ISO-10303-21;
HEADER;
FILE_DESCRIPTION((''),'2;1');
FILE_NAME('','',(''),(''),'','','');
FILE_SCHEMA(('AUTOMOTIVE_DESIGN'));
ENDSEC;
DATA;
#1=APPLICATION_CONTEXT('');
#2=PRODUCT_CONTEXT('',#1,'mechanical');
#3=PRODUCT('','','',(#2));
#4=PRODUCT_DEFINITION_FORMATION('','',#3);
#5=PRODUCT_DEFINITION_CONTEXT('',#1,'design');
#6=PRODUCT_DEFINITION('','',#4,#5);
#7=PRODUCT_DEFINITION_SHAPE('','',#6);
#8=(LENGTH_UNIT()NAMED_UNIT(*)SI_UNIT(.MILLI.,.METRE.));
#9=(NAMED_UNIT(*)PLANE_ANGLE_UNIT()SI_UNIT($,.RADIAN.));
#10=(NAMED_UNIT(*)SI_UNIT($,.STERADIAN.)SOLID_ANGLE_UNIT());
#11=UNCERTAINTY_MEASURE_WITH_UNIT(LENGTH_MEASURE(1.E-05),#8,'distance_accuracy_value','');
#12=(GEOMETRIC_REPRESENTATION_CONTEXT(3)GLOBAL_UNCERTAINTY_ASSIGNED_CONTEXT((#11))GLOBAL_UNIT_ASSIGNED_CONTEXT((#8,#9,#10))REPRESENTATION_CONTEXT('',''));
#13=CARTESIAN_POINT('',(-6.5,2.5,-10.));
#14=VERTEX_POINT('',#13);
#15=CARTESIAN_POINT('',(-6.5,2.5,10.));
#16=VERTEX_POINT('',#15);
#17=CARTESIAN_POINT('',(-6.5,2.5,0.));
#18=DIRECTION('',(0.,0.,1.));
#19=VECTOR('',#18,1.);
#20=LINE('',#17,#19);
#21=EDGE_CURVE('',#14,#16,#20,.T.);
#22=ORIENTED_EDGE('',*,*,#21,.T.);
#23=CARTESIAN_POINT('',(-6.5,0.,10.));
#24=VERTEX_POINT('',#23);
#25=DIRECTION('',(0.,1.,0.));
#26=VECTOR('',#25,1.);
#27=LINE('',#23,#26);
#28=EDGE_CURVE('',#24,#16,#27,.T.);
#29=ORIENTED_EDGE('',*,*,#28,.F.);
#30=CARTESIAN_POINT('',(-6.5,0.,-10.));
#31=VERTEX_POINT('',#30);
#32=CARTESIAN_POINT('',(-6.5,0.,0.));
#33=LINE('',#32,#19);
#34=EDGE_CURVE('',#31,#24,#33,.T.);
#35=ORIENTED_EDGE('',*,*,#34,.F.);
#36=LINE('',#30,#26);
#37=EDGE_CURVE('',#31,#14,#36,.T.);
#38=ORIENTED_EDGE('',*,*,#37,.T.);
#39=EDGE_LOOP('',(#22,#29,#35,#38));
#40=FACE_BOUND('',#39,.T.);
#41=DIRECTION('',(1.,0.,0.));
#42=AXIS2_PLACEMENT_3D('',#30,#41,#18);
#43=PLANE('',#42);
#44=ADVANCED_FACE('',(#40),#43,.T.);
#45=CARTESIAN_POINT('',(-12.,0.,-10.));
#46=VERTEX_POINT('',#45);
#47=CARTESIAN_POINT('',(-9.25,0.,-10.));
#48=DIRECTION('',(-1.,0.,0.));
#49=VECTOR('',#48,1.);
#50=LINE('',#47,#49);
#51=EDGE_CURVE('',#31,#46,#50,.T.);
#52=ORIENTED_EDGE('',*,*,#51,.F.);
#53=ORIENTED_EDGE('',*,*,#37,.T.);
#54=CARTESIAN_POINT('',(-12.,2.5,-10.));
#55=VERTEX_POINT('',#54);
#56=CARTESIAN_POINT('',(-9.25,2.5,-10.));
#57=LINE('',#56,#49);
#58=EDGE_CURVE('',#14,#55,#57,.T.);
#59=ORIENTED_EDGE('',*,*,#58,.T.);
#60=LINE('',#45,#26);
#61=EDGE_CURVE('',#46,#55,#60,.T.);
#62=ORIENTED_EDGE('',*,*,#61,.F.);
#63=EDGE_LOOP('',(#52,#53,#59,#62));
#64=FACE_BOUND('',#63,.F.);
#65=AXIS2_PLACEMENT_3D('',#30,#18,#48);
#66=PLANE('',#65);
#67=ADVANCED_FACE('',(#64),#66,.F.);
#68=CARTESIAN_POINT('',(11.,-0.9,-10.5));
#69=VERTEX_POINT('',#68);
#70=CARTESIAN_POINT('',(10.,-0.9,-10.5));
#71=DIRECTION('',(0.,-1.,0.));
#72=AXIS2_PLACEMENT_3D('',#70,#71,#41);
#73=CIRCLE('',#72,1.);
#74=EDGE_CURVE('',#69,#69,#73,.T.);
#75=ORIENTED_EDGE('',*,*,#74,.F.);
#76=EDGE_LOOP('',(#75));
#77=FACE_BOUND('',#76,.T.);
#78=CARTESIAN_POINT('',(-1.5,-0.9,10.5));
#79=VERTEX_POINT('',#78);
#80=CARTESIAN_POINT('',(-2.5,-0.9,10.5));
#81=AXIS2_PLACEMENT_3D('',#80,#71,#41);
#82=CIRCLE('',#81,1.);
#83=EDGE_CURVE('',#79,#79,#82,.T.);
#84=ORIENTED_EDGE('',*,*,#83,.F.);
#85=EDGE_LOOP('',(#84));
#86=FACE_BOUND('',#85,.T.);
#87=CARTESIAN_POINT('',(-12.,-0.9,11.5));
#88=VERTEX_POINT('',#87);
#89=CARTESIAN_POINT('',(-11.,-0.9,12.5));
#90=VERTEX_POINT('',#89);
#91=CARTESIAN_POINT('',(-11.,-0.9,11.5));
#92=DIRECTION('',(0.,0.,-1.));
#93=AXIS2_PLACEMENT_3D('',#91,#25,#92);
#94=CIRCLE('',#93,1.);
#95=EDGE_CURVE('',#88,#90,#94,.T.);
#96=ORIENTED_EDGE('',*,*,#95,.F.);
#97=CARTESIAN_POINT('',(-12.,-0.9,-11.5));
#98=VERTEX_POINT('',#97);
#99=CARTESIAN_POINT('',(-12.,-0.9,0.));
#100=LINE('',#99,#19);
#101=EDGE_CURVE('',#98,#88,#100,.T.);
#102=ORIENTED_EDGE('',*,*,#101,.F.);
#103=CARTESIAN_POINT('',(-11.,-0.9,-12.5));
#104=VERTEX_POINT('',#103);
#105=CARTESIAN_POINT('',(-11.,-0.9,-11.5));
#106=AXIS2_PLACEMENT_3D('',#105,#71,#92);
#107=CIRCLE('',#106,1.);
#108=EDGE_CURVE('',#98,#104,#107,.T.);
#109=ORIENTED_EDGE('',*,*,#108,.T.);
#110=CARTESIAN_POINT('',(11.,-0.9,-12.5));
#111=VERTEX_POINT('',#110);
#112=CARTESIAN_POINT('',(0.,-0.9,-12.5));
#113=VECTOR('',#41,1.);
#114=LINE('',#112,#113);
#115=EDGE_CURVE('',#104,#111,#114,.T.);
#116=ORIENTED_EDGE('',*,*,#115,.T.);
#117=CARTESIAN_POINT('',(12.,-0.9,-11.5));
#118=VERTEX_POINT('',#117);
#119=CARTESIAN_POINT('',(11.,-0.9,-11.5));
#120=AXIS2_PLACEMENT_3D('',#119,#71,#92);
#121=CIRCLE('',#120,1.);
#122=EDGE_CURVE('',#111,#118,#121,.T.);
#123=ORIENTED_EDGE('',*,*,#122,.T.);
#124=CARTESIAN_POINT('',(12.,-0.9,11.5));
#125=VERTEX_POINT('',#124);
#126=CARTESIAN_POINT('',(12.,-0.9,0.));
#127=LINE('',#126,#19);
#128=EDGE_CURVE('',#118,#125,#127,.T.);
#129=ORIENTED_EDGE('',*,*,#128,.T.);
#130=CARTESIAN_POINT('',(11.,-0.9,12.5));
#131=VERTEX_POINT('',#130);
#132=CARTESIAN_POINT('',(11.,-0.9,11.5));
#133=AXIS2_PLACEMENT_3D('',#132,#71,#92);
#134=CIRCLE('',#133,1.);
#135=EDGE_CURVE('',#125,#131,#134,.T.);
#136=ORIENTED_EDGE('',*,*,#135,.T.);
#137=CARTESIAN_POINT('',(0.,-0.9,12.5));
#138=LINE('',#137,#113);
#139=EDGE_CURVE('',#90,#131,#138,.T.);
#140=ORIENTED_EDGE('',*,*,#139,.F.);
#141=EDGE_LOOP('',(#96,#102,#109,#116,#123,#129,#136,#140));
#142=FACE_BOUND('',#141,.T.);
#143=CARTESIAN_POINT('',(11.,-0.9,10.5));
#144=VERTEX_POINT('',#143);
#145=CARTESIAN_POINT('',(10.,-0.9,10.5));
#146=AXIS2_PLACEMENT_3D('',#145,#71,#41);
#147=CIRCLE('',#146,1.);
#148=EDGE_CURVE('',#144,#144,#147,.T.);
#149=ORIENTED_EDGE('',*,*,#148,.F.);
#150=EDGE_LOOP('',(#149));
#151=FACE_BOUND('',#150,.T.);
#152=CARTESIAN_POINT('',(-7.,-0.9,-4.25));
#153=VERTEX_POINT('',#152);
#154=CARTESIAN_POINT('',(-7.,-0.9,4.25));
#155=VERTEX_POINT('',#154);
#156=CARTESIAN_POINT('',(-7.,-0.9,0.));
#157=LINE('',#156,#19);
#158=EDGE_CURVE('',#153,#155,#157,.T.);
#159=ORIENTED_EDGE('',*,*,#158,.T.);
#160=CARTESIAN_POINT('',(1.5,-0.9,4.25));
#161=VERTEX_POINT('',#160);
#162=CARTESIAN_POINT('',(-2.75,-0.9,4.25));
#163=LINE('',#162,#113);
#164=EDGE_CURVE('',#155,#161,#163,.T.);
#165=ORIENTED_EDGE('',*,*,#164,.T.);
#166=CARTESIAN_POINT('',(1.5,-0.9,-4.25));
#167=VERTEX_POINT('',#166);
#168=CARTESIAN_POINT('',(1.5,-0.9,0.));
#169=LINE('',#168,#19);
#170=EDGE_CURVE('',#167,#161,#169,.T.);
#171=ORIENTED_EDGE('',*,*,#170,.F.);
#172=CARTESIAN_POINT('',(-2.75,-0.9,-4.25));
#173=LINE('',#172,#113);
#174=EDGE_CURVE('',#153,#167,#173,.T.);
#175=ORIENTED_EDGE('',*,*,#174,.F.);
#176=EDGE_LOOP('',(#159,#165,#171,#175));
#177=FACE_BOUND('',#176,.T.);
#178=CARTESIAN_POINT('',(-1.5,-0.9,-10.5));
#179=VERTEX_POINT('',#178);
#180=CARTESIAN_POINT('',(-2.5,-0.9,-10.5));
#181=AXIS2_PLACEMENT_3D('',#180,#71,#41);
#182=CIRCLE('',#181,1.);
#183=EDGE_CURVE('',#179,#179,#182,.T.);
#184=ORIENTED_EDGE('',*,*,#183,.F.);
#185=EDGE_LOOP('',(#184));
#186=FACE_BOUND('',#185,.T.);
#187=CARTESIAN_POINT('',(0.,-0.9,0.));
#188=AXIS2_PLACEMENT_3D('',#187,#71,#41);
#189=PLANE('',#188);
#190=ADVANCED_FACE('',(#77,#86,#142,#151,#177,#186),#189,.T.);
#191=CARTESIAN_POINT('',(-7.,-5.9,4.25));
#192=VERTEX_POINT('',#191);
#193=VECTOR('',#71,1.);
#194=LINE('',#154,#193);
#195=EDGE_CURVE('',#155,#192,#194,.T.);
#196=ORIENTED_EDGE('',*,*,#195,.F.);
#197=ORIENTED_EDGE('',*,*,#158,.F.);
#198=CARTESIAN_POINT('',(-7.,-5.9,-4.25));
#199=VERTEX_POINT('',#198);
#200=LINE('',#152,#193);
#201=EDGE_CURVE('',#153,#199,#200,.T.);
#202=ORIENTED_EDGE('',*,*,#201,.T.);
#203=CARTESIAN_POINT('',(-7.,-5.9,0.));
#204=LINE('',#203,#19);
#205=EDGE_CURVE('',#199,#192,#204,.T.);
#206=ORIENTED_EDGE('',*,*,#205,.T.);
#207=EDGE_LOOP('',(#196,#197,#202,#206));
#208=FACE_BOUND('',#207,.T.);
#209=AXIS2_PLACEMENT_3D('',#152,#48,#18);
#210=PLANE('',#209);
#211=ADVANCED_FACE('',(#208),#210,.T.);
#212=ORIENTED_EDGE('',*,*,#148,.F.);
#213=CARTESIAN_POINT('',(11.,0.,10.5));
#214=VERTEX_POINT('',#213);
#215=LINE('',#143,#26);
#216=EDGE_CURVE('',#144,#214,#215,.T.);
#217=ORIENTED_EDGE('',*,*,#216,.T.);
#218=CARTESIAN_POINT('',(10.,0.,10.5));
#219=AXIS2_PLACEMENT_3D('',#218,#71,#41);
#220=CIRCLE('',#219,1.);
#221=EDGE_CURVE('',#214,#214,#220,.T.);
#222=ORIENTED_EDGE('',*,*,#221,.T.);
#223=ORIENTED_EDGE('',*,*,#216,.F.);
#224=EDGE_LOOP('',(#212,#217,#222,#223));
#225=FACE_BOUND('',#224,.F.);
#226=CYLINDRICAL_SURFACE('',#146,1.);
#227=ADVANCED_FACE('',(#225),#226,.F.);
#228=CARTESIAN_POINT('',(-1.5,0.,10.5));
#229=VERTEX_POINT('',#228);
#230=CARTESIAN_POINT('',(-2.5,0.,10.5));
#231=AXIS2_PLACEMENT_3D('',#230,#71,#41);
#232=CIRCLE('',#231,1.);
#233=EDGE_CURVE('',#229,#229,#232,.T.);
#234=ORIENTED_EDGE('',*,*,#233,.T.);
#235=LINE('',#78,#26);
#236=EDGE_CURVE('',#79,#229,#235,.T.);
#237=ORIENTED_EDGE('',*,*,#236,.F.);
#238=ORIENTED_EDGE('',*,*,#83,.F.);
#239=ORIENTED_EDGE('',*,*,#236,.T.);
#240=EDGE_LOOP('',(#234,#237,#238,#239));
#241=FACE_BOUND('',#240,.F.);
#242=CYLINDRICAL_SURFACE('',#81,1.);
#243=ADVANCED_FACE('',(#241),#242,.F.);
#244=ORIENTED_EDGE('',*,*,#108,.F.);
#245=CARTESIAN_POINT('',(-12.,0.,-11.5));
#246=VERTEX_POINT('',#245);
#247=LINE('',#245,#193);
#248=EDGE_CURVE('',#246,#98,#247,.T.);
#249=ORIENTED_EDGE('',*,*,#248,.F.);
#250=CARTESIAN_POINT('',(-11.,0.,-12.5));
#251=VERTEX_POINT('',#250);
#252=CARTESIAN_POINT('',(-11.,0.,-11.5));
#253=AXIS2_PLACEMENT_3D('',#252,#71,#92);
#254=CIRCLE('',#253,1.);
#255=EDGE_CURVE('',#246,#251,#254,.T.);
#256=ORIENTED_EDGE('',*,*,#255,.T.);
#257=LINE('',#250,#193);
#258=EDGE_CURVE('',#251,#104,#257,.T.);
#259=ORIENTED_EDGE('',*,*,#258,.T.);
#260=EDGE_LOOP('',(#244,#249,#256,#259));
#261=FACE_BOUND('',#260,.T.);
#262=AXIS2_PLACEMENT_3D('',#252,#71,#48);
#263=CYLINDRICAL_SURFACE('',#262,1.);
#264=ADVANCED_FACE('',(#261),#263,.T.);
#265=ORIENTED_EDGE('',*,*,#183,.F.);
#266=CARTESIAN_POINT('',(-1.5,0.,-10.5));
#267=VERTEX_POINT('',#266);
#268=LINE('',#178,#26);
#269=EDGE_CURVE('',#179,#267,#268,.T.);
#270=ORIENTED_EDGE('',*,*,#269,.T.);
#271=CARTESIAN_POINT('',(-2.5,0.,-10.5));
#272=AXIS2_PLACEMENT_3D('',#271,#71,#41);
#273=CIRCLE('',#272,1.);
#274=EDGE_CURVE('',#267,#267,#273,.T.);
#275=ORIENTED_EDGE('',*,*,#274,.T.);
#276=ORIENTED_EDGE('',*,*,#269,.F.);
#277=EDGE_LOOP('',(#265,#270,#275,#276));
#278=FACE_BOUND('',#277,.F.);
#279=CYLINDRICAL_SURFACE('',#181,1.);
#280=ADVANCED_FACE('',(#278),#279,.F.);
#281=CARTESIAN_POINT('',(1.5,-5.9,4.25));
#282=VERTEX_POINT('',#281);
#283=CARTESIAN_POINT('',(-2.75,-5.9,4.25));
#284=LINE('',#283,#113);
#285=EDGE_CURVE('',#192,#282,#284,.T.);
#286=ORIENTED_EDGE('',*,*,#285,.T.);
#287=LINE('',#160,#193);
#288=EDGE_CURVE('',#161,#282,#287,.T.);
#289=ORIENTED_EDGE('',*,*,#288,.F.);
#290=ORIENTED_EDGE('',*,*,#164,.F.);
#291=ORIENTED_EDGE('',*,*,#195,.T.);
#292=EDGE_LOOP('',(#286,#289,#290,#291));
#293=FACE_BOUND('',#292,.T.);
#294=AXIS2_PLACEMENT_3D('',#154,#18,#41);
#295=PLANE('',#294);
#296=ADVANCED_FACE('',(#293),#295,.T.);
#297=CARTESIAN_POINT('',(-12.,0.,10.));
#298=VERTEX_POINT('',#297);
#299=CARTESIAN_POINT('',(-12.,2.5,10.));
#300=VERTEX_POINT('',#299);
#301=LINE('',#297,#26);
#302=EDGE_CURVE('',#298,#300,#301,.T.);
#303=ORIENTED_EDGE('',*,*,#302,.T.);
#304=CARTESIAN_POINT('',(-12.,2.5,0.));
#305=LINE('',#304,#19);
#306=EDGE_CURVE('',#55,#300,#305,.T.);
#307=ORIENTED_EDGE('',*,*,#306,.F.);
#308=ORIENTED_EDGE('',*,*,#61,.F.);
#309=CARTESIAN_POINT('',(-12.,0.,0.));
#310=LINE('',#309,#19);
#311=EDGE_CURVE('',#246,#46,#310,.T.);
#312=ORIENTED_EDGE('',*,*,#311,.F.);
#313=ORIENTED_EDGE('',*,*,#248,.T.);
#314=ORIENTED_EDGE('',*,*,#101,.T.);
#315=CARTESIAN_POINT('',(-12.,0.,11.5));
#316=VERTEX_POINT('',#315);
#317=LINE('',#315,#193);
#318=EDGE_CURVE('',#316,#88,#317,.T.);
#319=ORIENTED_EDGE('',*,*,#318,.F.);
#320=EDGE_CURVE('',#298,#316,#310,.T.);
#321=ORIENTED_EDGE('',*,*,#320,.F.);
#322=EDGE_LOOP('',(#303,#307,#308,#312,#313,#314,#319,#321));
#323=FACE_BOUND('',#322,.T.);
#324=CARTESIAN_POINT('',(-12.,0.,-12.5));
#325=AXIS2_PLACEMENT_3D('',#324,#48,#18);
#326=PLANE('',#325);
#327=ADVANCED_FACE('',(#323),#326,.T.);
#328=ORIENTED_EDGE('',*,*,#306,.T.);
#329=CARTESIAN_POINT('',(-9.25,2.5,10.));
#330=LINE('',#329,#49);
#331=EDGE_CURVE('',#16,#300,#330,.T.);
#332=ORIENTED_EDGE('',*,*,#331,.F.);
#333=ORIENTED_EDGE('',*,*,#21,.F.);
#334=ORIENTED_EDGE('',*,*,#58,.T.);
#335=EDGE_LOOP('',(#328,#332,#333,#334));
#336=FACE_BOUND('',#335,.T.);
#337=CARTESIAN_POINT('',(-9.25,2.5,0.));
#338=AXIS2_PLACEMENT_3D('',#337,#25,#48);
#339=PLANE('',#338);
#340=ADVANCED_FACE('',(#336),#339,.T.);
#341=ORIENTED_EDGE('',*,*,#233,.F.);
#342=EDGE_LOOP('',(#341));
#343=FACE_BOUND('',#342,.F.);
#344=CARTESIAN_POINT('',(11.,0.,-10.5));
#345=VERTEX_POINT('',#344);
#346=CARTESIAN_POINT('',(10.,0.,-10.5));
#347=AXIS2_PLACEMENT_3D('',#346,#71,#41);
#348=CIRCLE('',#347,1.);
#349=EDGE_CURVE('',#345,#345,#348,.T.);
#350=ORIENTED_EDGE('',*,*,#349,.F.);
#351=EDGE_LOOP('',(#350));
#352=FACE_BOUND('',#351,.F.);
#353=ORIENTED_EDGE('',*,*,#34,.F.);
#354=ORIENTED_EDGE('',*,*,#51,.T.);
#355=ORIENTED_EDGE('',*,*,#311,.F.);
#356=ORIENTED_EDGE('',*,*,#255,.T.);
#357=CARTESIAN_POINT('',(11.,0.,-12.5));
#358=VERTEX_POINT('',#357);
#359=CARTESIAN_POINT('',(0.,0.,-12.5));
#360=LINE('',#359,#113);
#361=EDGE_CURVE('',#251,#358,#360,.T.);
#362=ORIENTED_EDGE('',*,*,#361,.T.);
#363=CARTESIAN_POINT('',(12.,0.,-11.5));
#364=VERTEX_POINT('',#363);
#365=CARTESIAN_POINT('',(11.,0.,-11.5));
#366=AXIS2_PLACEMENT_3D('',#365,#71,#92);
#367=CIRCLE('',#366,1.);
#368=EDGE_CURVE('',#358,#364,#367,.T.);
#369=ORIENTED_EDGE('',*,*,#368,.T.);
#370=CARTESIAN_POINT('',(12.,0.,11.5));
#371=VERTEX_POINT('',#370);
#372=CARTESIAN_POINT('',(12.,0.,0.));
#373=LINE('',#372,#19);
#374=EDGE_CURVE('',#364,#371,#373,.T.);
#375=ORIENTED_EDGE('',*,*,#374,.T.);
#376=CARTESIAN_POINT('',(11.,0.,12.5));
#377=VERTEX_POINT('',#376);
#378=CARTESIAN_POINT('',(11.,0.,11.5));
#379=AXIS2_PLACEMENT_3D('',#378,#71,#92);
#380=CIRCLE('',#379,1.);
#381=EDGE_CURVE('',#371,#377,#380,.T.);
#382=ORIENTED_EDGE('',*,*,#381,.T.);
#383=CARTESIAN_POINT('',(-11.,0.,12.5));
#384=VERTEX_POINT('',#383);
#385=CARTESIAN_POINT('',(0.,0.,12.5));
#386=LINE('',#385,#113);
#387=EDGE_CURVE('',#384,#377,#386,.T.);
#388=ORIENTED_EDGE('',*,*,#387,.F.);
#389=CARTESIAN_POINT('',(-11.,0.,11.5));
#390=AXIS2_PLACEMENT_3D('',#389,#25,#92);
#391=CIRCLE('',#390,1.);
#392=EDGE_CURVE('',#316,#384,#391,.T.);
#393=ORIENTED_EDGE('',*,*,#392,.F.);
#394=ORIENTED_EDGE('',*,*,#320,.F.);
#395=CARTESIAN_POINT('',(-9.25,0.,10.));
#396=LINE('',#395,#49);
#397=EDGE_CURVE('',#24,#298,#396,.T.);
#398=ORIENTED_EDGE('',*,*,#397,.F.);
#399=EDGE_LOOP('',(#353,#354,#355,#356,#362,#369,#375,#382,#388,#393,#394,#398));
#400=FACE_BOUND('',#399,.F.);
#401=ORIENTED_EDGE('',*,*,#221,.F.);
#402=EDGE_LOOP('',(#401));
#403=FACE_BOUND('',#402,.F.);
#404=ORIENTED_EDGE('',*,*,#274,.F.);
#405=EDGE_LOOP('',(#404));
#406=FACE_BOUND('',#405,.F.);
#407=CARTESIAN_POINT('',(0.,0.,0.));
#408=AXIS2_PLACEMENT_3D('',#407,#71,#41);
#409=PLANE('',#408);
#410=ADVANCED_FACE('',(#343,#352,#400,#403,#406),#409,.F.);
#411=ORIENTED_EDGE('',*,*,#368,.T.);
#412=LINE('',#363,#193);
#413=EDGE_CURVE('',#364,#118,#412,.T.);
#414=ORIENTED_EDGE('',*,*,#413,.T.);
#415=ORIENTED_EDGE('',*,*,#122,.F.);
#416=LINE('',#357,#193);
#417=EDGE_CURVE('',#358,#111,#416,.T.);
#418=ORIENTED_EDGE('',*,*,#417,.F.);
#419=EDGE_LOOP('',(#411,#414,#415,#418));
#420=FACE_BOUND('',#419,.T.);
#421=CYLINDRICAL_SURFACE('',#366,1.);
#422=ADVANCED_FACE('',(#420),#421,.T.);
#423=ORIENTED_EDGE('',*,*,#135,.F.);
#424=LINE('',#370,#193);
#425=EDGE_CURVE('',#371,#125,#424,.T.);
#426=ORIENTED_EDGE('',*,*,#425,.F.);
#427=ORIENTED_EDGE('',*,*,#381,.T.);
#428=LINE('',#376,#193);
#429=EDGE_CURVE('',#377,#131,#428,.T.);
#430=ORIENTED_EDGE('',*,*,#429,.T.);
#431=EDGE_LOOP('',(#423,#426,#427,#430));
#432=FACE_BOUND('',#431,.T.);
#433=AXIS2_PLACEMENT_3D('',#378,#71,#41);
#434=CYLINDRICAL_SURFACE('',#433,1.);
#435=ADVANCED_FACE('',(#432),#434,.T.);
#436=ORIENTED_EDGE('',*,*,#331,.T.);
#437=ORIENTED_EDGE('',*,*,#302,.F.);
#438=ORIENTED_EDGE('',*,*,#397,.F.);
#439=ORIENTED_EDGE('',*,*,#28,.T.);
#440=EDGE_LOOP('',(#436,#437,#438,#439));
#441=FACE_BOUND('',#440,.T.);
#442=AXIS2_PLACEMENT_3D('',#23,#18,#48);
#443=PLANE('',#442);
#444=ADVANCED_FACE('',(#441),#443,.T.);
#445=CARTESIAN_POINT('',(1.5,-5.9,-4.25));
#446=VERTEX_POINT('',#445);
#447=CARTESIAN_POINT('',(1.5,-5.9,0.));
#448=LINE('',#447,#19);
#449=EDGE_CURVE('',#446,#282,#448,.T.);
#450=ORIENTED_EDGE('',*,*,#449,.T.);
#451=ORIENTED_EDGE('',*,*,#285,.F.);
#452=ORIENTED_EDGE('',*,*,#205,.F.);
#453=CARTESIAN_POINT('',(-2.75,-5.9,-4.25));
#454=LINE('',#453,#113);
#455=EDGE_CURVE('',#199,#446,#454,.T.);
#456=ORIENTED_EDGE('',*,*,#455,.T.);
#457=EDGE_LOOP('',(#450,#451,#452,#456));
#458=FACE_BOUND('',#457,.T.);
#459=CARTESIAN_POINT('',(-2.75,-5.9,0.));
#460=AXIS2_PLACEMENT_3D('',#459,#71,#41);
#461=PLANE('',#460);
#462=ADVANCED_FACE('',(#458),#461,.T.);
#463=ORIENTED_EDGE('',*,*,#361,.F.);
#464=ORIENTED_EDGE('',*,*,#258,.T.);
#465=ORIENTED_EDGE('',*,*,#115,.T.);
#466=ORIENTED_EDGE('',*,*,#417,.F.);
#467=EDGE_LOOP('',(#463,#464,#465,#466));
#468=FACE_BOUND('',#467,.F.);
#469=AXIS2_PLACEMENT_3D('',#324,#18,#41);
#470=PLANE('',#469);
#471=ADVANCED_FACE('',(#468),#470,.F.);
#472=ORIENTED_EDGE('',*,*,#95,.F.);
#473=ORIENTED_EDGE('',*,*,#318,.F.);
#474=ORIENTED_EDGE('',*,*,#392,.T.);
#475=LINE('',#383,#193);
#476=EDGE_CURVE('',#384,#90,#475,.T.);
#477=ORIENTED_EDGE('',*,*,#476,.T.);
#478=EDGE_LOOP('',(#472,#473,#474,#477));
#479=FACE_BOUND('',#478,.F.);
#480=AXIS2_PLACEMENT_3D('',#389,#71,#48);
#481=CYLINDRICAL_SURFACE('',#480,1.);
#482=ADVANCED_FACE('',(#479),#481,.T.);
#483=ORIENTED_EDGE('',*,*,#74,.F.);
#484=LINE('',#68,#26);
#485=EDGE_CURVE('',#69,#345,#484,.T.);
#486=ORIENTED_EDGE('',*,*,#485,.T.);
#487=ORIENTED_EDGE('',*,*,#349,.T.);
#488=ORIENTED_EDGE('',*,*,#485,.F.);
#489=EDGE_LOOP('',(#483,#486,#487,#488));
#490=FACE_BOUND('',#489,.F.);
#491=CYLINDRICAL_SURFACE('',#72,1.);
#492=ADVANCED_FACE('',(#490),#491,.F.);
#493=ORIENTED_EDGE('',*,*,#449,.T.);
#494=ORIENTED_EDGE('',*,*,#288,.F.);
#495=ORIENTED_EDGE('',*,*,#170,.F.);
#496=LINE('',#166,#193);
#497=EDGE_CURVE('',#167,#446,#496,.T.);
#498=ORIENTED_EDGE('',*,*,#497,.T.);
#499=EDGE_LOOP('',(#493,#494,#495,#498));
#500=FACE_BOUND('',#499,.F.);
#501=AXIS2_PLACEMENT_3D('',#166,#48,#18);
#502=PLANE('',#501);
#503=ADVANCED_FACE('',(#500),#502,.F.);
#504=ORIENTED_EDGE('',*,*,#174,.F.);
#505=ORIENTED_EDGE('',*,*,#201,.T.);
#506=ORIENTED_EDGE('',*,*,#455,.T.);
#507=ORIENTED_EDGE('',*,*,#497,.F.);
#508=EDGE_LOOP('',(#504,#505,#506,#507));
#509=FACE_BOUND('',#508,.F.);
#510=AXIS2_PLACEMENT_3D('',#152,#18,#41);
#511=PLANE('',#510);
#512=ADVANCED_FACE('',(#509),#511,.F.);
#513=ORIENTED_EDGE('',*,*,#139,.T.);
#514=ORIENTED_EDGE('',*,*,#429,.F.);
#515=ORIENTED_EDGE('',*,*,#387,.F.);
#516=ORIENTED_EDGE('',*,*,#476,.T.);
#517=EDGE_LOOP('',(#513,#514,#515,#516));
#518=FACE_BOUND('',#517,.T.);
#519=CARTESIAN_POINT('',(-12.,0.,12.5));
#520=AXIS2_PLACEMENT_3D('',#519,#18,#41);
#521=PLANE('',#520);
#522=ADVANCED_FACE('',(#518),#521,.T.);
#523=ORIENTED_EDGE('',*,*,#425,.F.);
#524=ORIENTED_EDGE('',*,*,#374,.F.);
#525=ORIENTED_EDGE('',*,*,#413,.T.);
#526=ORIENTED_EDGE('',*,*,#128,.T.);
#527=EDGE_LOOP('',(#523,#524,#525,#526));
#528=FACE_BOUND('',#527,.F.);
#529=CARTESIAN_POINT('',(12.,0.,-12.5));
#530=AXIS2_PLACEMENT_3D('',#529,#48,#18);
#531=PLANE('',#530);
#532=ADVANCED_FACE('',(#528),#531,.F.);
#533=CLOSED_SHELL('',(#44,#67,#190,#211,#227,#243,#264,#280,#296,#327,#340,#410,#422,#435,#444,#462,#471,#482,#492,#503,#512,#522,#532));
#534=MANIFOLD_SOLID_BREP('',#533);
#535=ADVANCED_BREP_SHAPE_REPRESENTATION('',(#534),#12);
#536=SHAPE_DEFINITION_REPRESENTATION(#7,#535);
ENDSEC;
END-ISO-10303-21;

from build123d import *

# Parameters (mm, degrees)
F0_W     = 24
F0_H     = 25
F1_DEPTH = 0.9
F2_R     = 1
F3_W     = 8.5
F3_H     = 8.5
F4_DEPTH = 5
F5_R     = 1
F6_DEPTH = 0.901
F7_W     = 5.5
F7_H     = 20
F8_DEPTH = 2.5


with BuildPart() as f1:
    # F0 (on Front) → F1 (new body)
    with BuildSketch(Plane.XZ):
        Rectangle(F0_W, F0_H)
    extrude(amount=F1_DEPTH)

    # F2
    f2_edges = [f1.edges().sort_by_distance(p)[0] for p in [
        (12, -0.45, 12.5),
        (12, -0.45, -12.5),
        (-12, -0.45, -12.5),
        (-12, -0.45, 12.5),
    ]]
    fillet(f2_edges, radius=F2_R)

    # F3 (on face) → F4 (join)
    with BuildSketch(Plane.XZ.offset(0.9)):
        with Locations((-2.75, 0)):
            Rectangle(F3_W, F3_H)
    extrude(amount=F4_DEPTH)

    # F5 (on face) → F6 (cut, through all)
    with BuildSketch(Plane.XZ.offset(0.9)):
        with Locations((10, 10.5)):
            Circle(F5_R)
        with Locations((-2.5, 10.5)):
            Circle(F5_R)
        with Locations((-2.5, -10.5)):
            Circle(F5_R)
        with Locations((10, -10.5)):
            Circle(F5_R)
    extrude(amount=-F6_DEPTH, mode=Mode.SUBTRACT)

    # F7 (on face) → F8 (join)
    with BuildSketch(Plane(origin=(0, 0, 0), x_dir=(-1, 0, 0), z_dir=(0, 1, 0))):
        with Locations((9.25, 0)):
            Rectangle(F7_W, F7_H)
    extrude(amount=F8_DEPTH)


solid = f1.part
